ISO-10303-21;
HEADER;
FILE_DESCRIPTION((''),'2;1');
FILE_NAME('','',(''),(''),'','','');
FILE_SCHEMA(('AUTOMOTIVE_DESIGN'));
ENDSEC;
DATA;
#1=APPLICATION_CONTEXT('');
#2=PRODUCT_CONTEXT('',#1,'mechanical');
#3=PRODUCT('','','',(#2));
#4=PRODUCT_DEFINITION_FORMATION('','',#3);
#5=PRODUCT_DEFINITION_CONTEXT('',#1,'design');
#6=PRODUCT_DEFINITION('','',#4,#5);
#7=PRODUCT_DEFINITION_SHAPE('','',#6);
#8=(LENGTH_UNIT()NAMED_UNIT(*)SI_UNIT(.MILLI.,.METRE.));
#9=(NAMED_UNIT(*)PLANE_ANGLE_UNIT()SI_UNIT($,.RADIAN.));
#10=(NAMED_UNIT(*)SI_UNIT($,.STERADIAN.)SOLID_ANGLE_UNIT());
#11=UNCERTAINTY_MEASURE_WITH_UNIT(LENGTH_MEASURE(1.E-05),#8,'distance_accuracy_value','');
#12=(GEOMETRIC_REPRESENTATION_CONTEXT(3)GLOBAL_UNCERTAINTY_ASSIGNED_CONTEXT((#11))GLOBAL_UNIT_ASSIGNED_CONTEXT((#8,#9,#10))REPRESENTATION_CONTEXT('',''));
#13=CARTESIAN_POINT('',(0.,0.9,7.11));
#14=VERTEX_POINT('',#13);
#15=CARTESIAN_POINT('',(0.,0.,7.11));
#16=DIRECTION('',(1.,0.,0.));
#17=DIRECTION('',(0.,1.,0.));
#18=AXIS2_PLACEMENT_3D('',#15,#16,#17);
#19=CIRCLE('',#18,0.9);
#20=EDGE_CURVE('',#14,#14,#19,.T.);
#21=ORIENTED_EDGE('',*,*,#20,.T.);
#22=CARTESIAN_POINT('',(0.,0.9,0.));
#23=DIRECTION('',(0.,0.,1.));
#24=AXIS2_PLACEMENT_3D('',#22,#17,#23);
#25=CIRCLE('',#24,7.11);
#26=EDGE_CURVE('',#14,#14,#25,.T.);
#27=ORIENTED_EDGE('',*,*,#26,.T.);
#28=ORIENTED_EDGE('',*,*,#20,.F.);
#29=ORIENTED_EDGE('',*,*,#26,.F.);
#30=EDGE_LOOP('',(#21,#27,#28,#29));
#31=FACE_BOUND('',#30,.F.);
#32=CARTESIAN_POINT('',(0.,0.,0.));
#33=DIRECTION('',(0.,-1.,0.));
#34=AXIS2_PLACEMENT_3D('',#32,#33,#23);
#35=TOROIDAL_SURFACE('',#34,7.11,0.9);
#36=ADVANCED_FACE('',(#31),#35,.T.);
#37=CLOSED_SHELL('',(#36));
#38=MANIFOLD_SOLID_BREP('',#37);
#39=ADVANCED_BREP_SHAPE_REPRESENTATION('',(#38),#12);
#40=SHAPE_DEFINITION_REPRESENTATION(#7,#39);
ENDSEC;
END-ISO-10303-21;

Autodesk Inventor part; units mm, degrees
ref_plane "YZ Plane" through (0, 0, 0) normal (1, 0, 0) x (0, 1, 0)
ref_plane "XZ Plane" through (0, 0, 0) normal (0, 1, 0) x (-1, 0, 0)
ref_plane "XY Plane" through (0, 0, 0) normal (0, 0, 1) x (1, 0, 0)
sketch "Sketch1" plane through (0, 0, 0) normal (1, 0, 0) x (0, 1, 0)
  circle A0 centre (0, 7.11) radius 0.9
  line L0 (0, 0) -> (0.9, 0)
  dimension "d0" = 1.8
  dimension "d1" = 7.11
revolve "Revolution1" add sketch "Sketch1" angle 360 about axis through (0, 0, 0) along (0, 1, 0)
properties part number "Oring 2-014" material "Rubber"
